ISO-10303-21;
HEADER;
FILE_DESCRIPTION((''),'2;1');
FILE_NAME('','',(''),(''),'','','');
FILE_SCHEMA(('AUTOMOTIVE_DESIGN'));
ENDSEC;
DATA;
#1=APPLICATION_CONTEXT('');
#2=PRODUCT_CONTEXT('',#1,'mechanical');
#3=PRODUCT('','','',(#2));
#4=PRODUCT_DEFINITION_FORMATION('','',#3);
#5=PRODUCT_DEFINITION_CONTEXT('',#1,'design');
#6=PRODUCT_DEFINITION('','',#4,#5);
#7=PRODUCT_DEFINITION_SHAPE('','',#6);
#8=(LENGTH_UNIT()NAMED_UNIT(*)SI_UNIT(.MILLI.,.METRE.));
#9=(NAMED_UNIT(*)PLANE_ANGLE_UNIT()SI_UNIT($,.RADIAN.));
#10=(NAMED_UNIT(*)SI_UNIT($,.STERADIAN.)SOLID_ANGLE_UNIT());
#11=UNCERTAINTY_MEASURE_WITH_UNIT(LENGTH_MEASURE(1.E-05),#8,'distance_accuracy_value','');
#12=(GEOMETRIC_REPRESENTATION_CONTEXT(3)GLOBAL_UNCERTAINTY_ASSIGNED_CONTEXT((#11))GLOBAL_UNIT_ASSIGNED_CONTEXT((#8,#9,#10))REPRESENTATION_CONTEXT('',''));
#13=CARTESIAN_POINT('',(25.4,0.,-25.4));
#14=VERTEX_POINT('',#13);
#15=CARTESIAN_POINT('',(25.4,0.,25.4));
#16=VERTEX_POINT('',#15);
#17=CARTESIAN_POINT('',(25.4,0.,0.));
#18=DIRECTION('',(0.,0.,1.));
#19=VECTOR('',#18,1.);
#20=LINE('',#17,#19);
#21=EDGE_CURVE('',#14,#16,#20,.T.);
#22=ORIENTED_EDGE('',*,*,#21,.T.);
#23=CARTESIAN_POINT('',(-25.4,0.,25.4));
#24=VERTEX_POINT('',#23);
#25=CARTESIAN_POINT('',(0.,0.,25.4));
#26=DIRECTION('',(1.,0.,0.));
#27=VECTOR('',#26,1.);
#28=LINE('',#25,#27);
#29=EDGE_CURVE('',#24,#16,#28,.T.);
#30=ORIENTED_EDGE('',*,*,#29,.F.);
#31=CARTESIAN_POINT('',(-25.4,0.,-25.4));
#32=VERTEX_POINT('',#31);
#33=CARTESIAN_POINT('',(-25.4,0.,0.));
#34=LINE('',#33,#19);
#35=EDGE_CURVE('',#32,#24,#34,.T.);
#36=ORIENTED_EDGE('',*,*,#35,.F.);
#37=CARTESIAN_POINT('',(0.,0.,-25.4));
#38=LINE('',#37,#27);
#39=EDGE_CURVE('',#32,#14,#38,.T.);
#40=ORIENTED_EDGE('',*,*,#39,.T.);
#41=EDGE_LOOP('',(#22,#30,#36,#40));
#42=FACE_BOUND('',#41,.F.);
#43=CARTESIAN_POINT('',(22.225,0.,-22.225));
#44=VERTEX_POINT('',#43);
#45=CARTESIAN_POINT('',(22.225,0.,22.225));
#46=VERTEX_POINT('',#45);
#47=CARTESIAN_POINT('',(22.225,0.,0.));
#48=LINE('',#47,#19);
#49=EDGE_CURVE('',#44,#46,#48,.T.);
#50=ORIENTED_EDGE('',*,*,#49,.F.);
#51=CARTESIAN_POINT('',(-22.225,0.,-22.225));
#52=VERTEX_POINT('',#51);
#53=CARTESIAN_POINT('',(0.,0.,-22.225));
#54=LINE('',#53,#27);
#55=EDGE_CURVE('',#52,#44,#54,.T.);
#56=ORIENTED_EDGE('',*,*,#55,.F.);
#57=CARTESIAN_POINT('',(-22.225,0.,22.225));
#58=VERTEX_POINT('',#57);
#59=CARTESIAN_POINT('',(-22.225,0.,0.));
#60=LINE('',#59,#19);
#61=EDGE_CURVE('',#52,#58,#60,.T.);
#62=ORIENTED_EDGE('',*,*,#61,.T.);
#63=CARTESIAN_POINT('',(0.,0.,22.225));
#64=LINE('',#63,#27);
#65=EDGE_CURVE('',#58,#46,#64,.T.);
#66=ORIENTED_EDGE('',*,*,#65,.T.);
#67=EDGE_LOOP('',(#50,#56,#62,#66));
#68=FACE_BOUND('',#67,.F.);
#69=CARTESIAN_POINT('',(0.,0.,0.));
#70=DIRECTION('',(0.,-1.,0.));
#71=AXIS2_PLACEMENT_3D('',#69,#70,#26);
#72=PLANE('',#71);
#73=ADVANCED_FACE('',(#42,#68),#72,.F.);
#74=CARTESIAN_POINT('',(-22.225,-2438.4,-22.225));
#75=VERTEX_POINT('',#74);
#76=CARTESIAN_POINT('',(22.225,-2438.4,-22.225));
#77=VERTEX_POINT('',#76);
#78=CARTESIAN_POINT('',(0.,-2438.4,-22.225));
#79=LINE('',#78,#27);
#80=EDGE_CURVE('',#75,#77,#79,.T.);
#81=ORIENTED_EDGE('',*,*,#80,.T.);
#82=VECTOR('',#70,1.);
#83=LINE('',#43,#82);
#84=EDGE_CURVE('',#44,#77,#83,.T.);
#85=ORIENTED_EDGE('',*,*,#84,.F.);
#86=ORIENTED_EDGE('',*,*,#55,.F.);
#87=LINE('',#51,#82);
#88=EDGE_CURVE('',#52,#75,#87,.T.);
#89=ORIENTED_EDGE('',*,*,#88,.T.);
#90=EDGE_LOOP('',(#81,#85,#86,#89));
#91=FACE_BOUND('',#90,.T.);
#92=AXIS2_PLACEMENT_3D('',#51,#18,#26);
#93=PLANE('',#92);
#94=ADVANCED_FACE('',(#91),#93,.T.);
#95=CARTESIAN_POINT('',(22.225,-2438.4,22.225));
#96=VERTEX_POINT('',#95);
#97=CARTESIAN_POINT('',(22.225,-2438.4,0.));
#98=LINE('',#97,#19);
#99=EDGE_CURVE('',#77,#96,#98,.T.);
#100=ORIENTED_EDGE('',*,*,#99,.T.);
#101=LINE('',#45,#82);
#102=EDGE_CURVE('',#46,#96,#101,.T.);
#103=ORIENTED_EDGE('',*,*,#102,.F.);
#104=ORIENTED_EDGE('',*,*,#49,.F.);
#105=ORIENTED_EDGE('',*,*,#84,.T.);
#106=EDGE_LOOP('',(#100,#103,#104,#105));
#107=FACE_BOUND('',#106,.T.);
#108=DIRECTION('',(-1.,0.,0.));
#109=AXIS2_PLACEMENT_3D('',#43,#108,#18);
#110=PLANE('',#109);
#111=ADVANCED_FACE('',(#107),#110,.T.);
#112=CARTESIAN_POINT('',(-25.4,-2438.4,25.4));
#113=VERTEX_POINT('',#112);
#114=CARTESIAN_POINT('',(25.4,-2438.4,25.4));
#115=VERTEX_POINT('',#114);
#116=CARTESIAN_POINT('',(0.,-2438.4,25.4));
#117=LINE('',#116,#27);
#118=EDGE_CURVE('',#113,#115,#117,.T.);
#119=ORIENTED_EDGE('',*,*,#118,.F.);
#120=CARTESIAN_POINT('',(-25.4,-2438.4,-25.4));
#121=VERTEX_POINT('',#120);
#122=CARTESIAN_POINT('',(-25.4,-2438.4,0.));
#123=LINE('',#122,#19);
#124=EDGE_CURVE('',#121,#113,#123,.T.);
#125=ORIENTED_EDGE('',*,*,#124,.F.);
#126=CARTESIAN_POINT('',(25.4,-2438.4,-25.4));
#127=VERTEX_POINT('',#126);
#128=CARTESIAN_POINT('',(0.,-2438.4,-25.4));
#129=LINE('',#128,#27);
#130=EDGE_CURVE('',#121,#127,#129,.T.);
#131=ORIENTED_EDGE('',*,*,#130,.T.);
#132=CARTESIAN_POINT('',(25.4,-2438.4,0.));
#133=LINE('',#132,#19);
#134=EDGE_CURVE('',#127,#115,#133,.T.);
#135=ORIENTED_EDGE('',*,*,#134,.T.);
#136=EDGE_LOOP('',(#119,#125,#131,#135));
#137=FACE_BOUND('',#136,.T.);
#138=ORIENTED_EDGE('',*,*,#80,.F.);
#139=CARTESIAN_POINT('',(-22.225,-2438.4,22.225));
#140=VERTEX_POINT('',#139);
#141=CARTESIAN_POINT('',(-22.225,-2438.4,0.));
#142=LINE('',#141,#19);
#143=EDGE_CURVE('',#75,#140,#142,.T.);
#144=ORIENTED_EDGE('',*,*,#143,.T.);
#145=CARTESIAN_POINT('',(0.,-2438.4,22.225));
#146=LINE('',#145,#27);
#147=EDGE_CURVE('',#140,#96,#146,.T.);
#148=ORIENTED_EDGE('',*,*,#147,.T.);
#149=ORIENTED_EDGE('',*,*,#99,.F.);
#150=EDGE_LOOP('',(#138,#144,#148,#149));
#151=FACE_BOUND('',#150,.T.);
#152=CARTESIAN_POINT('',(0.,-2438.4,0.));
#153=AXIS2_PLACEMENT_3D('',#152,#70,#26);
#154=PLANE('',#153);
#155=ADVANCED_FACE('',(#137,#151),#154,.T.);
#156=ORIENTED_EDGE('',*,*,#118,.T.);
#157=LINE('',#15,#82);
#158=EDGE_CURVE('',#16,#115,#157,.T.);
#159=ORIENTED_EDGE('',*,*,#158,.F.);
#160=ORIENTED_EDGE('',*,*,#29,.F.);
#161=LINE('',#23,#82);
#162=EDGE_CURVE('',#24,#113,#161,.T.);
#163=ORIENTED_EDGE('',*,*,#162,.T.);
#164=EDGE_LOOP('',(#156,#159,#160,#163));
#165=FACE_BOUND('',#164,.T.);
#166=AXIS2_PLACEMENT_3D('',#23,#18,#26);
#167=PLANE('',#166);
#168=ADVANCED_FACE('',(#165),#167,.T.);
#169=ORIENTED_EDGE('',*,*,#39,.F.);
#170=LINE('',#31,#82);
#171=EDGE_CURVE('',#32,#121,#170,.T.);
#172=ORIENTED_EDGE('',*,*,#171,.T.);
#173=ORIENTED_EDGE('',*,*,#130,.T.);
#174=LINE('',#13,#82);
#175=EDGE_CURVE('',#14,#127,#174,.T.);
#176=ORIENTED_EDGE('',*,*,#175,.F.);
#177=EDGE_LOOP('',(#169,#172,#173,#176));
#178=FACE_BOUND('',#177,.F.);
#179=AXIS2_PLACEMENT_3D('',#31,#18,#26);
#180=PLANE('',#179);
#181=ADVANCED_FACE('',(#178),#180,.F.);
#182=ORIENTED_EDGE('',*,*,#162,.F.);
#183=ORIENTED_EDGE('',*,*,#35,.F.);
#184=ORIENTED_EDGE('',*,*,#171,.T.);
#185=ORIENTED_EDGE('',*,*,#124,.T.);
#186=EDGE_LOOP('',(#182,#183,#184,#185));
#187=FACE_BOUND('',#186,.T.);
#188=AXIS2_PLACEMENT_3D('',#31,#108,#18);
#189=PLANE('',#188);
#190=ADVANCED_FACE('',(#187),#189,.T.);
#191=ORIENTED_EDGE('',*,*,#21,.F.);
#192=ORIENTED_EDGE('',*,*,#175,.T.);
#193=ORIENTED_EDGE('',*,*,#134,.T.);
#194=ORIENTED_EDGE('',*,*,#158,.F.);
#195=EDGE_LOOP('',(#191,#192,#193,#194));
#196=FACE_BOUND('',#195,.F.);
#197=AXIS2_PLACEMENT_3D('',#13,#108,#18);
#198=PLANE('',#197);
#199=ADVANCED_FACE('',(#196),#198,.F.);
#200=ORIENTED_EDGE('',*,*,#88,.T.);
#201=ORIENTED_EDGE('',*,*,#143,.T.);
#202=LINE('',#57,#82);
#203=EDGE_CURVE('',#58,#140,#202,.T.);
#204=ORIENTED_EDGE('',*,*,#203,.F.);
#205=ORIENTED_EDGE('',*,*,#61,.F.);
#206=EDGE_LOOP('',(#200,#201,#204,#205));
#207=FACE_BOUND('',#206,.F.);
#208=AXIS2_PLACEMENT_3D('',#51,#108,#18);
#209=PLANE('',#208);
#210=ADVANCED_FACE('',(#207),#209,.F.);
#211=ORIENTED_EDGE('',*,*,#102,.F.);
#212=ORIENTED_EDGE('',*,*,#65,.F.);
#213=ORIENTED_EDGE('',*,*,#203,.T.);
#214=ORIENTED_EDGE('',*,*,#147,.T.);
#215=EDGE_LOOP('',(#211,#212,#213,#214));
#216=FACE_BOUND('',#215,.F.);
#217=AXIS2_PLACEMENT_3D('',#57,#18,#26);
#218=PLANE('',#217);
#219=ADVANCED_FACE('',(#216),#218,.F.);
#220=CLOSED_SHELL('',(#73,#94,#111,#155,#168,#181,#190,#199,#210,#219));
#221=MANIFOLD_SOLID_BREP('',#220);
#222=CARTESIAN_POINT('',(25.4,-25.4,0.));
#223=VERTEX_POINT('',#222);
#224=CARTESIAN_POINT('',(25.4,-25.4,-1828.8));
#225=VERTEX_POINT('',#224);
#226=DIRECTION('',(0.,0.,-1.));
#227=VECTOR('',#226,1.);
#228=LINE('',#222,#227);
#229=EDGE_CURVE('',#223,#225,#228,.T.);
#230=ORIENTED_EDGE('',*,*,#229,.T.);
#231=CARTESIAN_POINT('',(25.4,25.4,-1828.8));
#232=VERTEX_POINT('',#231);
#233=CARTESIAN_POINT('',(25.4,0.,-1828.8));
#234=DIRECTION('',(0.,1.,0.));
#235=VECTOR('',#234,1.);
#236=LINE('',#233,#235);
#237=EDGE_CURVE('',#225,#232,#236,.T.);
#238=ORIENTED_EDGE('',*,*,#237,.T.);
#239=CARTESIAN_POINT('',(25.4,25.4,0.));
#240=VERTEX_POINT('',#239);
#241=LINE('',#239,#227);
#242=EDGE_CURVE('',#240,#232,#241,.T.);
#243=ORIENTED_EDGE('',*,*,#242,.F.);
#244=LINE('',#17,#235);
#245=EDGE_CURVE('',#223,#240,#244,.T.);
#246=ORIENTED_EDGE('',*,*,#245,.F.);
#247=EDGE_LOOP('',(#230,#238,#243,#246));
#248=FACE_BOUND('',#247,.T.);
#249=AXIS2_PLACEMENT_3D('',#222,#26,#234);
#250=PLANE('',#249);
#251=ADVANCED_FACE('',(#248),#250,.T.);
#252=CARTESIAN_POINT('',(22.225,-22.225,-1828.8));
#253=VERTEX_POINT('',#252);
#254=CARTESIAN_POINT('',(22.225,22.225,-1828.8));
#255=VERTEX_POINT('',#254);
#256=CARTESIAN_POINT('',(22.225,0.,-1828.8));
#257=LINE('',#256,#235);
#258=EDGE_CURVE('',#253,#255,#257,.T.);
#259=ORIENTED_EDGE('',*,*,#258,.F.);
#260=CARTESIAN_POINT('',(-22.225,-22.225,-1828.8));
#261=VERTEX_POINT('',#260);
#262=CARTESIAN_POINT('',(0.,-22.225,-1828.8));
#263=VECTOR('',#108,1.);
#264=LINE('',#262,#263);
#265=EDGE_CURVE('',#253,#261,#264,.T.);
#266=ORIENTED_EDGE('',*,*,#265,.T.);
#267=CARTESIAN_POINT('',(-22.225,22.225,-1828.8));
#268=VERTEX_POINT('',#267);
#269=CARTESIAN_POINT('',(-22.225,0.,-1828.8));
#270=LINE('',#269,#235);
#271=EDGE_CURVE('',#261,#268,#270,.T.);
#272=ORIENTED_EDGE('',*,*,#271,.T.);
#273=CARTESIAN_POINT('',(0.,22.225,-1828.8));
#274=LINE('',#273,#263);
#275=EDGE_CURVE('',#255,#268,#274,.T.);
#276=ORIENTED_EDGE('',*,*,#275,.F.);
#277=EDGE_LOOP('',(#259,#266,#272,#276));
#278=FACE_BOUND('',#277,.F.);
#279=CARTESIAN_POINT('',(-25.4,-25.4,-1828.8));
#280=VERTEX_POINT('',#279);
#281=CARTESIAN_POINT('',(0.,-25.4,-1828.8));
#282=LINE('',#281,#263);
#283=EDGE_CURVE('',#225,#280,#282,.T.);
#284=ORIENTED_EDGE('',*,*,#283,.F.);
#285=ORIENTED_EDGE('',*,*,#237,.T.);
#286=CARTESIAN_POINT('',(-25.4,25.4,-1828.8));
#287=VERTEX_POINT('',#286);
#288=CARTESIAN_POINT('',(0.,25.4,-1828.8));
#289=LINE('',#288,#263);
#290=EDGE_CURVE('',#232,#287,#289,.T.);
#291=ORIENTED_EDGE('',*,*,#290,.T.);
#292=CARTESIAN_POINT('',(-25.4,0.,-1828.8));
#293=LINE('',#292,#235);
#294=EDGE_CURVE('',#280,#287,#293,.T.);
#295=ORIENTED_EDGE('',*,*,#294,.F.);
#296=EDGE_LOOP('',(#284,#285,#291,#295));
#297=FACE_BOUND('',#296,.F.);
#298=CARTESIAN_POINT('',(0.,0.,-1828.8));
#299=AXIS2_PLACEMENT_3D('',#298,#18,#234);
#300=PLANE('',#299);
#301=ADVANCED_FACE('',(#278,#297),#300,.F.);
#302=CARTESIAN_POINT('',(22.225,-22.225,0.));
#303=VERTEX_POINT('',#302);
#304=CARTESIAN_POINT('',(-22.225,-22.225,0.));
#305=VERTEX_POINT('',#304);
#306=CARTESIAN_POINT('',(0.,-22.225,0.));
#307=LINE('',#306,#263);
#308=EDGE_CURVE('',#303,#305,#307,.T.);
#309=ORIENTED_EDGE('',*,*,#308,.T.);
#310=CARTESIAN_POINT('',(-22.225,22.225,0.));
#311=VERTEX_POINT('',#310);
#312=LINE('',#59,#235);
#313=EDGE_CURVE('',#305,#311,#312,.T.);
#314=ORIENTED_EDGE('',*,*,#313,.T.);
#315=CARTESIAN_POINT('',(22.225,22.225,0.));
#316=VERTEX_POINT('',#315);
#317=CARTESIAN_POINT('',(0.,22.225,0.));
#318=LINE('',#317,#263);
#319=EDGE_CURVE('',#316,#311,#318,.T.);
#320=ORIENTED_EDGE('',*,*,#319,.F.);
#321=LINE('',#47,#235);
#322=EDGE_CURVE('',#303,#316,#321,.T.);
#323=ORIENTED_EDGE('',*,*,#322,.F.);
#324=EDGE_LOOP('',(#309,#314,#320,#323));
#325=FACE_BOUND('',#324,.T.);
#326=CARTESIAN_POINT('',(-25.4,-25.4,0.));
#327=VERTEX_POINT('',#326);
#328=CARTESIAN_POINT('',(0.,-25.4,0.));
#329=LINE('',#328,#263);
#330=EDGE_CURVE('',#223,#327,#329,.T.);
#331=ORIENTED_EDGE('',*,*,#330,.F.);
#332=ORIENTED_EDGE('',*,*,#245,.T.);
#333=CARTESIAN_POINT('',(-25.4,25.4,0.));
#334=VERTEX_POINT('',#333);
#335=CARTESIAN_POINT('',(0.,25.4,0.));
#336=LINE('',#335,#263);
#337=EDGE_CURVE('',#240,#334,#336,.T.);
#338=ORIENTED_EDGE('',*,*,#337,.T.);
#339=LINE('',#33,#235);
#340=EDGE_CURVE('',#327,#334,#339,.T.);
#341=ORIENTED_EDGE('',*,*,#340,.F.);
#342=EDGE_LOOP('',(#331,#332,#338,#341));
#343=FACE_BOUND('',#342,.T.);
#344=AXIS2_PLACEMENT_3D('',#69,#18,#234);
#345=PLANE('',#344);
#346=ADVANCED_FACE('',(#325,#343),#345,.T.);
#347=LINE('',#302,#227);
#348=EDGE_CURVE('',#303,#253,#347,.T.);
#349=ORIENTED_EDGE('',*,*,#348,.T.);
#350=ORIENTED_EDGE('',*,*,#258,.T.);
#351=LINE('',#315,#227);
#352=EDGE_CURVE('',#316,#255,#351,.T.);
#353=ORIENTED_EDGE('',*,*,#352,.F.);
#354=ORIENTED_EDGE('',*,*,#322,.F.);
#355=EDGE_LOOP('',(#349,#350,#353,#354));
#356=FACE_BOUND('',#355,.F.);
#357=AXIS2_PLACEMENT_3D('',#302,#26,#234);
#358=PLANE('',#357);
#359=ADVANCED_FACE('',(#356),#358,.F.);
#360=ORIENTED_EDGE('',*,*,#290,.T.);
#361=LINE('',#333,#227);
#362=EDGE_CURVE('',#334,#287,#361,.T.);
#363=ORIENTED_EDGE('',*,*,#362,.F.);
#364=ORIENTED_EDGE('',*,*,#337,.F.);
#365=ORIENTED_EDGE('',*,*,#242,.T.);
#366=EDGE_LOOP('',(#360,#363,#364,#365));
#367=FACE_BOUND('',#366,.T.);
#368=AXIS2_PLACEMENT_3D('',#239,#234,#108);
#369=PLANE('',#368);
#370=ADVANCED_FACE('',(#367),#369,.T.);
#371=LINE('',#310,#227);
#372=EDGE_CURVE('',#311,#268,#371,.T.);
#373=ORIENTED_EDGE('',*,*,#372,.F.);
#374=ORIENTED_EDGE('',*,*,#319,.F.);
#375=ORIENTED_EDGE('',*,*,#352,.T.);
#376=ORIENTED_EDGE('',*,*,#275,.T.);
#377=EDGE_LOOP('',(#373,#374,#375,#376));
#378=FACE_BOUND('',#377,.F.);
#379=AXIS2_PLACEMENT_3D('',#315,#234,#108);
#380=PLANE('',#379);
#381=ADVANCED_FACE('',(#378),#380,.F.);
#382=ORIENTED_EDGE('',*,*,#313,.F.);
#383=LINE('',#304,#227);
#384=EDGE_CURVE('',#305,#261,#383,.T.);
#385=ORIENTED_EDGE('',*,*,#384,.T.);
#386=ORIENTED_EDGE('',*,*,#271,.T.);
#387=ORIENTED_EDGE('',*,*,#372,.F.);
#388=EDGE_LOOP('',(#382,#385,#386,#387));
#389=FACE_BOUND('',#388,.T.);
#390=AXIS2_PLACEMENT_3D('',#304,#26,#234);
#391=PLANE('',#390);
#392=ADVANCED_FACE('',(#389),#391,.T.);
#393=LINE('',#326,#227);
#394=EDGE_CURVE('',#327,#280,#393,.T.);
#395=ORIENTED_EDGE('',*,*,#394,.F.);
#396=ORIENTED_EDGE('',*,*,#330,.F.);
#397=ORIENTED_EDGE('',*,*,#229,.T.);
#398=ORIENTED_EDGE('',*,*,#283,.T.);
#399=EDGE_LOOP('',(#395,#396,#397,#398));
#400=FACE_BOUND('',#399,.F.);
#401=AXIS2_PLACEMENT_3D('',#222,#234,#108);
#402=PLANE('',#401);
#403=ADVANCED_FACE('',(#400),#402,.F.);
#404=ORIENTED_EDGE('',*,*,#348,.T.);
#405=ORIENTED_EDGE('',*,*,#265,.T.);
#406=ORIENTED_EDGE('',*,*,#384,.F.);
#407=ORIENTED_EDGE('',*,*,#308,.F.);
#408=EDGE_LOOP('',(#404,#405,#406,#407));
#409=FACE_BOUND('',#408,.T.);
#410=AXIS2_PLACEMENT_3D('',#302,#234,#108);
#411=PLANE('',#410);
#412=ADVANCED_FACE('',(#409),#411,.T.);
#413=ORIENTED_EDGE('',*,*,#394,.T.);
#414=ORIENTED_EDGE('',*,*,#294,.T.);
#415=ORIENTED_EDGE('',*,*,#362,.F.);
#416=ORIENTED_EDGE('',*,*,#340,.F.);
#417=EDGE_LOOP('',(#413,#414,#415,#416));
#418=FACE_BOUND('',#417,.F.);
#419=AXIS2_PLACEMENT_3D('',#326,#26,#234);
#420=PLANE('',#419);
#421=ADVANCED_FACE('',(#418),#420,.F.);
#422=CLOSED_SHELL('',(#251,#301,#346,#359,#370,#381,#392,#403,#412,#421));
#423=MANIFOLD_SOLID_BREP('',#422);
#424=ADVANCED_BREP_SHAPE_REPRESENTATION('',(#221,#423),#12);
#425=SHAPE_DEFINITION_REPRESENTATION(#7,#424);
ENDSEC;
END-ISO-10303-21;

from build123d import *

# Parameters (mm, degrees)
SKETCH_W            = 50.8
SKETCH_H            = 50.8
SKETCH_W_2          = 44.45
SKETCH_H_2          = 44.45
PAD_DEPTH           = 2438.4
SKETCHBINDER001_W   = 50.8
SKETCHBINDER001_H   = 50.8
SKETCHBINDER001_W_2 = 44.45
SKETCHBINDER001_H_2 = 44.45
PAD6FT_DEPTH        = 1828.8


with BuildPart() as f_8_tubing:
    # Sketch → Pad (new body)
    with BuildSketch(Plane.XZ):
        Rectangle(SKETCH_W, SKETCH_H)
        Rectangle(SKETCH_W_2, SKETCH_H_2, mode=Mode.SUBTRACT)
    extrude(amount=PAD_DEPTH)


with BuildPart() as f_6_tubing:
    # SketchBinder001 → Pad6ft (new body)
    with BuildSketch(Plane(origin=(0, 0, 0), x_dir=(0, 1, 0), z_dir=(0, 0, 1))):
        Rectangle(SKETCHBINDER001_W, SKETCHBINDER001_H)
        Rectangle(SKETCHBINDER001_W_2, SKETCHBINDER001_H_2, mode=Mode.SUBTRACT)
    extrude(amount=-PAD6FT_DEPTH)


solid = Compound([f_8_tubing.part, f_6_tubing.part])
